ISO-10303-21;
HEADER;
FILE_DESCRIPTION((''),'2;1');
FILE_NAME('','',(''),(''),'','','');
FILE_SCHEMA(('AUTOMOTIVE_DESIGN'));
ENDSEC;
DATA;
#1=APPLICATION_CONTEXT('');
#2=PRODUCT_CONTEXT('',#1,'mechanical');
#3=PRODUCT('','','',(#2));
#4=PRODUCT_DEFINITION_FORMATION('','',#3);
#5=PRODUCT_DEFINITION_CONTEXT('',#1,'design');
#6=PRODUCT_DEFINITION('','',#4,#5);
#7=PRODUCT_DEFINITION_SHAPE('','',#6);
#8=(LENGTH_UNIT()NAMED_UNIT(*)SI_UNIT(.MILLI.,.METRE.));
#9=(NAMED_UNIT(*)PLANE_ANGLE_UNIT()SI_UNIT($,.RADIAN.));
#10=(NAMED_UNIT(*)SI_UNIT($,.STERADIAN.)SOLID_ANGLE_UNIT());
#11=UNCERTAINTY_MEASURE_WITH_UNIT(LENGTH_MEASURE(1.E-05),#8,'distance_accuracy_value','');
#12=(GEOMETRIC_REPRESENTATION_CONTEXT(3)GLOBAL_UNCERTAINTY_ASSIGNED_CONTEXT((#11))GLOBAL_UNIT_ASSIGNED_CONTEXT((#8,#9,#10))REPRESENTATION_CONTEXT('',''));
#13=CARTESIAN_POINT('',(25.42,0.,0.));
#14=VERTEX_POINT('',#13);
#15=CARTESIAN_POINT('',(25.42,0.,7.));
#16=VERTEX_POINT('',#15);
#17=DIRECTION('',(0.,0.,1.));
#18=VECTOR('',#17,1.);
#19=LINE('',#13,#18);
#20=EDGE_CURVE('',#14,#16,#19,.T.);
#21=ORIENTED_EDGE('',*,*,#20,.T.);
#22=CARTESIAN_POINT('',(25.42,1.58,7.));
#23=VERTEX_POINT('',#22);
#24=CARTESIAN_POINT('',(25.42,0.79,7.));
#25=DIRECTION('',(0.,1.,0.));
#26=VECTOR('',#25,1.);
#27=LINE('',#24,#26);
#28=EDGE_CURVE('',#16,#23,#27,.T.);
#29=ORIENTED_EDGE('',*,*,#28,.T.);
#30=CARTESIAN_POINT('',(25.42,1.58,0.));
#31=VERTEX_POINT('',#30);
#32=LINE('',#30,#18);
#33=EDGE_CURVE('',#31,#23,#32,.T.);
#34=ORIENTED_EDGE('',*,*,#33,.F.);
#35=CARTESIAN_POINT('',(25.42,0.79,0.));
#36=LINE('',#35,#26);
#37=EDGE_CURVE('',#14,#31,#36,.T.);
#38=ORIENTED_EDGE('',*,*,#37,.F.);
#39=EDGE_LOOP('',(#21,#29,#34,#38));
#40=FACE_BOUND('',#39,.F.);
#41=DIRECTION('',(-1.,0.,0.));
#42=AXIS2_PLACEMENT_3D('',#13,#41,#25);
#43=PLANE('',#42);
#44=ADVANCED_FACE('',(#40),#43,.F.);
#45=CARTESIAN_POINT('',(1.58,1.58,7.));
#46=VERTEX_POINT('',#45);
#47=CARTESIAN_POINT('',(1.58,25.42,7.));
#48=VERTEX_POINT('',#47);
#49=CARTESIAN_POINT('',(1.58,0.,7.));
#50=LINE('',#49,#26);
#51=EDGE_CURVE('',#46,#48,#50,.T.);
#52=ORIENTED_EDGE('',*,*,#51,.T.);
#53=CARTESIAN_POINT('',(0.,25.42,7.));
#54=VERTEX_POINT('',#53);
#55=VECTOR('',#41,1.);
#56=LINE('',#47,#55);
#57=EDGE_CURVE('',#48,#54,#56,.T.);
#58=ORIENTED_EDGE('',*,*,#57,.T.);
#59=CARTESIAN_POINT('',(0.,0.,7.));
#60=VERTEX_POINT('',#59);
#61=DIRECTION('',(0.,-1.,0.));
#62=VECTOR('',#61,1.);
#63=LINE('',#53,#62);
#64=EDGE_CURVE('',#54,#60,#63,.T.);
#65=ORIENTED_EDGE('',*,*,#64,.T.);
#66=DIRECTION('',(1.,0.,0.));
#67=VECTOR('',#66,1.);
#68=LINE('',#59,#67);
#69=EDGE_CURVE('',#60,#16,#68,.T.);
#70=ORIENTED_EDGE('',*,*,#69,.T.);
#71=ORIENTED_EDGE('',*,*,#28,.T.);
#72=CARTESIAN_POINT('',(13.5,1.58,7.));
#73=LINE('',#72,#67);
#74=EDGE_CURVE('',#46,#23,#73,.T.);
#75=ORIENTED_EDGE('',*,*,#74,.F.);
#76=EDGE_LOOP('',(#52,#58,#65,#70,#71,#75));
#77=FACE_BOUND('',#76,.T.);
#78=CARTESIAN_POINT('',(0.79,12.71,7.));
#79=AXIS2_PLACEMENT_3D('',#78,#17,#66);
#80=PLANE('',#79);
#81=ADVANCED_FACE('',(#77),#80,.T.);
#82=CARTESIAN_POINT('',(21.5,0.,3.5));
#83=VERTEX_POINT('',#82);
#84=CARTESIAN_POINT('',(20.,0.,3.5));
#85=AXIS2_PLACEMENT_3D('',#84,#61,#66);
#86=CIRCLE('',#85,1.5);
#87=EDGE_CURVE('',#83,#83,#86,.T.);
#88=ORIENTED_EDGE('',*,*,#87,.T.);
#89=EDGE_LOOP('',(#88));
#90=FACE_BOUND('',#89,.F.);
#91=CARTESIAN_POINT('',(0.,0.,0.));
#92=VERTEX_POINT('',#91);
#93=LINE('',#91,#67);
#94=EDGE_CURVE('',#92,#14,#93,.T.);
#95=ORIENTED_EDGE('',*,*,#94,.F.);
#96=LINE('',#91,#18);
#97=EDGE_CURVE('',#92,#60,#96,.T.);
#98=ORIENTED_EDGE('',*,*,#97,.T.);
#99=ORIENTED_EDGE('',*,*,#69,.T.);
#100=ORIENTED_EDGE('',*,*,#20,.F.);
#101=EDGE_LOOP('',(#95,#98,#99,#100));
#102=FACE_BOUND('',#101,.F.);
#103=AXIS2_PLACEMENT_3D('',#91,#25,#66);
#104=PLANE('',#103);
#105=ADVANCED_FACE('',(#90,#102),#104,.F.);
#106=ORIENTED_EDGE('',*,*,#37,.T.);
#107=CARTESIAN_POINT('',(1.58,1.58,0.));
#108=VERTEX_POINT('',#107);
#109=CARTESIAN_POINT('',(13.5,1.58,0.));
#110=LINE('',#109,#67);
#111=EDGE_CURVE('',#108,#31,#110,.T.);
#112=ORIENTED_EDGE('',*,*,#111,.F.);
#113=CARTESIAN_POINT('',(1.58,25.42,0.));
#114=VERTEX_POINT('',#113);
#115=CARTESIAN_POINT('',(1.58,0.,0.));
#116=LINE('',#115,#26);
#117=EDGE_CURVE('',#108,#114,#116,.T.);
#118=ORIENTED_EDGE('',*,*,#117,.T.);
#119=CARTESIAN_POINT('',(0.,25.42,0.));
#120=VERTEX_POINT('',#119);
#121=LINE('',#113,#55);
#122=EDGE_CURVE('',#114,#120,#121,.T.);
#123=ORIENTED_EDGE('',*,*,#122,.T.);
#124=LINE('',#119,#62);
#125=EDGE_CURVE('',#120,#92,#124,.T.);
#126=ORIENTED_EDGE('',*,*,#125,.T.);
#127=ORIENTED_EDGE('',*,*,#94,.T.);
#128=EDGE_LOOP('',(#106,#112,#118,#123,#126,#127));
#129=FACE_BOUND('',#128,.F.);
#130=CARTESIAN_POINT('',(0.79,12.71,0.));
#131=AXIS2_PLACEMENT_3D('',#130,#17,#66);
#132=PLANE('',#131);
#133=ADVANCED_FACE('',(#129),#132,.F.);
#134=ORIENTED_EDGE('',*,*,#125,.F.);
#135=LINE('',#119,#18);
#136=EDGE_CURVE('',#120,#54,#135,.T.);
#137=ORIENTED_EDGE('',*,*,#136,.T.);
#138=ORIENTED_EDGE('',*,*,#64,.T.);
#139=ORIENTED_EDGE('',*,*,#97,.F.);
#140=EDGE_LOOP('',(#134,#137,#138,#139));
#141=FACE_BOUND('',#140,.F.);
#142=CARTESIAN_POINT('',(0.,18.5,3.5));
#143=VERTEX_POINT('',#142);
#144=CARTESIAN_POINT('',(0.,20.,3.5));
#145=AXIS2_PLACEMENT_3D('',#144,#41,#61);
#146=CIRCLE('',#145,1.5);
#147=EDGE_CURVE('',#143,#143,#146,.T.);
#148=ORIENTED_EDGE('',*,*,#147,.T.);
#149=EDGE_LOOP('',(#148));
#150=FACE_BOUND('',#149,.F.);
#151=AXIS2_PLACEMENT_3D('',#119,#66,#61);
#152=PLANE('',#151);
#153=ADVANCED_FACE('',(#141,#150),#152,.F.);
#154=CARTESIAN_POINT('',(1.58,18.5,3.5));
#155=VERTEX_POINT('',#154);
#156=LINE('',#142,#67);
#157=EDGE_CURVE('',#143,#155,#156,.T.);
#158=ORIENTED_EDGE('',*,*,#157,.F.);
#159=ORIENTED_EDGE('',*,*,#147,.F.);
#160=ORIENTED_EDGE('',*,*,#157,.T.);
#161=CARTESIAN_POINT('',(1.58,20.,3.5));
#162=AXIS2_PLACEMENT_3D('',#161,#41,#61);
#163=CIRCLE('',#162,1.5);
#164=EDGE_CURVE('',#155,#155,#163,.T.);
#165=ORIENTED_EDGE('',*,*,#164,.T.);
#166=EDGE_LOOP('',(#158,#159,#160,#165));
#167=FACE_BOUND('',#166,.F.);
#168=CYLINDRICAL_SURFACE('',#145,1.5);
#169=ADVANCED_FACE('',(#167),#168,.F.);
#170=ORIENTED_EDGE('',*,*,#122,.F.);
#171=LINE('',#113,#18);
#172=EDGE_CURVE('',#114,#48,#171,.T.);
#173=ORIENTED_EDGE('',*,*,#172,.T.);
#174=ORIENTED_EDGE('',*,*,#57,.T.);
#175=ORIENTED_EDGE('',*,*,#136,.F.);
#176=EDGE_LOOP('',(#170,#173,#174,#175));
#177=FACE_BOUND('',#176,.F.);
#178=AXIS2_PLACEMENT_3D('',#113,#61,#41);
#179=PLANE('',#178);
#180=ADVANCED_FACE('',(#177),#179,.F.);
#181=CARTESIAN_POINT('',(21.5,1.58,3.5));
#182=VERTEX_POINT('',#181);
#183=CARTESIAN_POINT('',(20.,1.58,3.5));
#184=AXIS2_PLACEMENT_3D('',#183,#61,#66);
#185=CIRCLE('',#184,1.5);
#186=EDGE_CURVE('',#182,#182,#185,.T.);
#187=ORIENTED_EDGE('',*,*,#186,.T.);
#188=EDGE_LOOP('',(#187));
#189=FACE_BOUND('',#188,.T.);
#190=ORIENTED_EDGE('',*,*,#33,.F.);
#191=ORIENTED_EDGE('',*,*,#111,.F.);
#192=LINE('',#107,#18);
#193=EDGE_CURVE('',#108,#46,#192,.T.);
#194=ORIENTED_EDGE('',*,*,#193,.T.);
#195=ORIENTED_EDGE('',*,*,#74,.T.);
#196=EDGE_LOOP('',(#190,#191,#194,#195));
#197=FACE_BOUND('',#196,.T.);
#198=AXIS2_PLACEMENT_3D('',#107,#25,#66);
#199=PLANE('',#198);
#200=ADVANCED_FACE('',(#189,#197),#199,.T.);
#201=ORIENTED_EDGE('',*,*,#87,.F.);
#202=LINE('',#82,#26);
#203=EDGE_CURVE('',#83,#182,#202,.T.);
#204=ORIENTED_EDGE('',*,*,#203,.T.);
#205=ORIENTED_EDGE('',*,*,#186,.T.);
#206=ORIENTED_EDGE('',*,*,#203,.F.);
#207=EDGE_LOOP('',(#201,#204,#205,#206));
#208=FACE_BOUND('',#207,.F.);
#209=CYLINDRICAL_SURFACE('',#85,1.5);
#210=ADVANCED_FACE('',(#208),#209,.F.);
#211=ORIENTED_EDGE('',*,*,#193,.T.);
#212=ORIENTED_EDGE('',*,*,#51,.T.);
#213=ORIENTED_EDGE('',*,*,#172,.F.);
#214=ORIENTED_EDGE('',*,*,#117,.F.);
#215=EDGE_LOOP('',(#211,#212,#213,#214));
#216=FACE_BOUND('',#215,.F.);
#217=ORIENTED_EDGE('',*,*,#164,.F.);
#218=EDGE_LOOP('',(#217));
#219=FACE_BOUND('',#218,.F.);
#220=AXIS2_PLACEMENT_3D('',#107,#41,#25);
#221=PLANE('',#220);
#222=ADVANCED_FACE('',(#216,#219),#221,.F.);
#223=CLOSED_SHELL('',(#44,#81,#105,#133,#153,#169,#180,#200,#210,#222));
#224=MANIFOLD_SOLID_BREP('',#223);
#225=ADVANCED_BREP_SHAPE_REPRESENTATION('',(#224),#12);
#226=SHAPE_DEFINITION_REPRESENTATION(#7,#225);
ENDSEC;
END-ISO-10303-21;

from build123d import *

# Parameters (mm, degrees)
F0_W     = 23.84
F0_H     = 1.58
F1_DEPTH = 7
F2_R     = 1.5
F3_DEPTH = 25
F4_R     = 1.5
F5_DEPTH = 25


with BuildPart() as f1:
    # F0 (on Top) → F1 (new body)
    with BuildSketch(Plane.XY):
        Polygon((0, 25.42), (0, 0), (1.58, 0), (1.58, 1.58), (1.58, 25.42), align=None)
        with Locations((13.5, 0.79)):
            Rectangle(F0_W, F0_H)
    extrude(amount=F1_DEPTH)

    # F2 (on face) → F3 (cut)
    with BuildSketch(Plane(origin=(0, 0, 0), x_dir=(0, -1, 0), z_dir=(-1, 0, 0))):
        with Locations((-20, 3.5)):
            Circle(F2_R)
    extrude(amount=-F3_DEPTH, mode=Mode.SUBTRACT)

    # F4 (on face) → F5 (cut)
    with BuildSketch(Plane.XZ):
        with Locations((20, 3.5)):
            Circle(F4_R)
    extrude(amount=-F5_DEPTH, mode=Mode.SUBTRACT)


solid = f1.part
